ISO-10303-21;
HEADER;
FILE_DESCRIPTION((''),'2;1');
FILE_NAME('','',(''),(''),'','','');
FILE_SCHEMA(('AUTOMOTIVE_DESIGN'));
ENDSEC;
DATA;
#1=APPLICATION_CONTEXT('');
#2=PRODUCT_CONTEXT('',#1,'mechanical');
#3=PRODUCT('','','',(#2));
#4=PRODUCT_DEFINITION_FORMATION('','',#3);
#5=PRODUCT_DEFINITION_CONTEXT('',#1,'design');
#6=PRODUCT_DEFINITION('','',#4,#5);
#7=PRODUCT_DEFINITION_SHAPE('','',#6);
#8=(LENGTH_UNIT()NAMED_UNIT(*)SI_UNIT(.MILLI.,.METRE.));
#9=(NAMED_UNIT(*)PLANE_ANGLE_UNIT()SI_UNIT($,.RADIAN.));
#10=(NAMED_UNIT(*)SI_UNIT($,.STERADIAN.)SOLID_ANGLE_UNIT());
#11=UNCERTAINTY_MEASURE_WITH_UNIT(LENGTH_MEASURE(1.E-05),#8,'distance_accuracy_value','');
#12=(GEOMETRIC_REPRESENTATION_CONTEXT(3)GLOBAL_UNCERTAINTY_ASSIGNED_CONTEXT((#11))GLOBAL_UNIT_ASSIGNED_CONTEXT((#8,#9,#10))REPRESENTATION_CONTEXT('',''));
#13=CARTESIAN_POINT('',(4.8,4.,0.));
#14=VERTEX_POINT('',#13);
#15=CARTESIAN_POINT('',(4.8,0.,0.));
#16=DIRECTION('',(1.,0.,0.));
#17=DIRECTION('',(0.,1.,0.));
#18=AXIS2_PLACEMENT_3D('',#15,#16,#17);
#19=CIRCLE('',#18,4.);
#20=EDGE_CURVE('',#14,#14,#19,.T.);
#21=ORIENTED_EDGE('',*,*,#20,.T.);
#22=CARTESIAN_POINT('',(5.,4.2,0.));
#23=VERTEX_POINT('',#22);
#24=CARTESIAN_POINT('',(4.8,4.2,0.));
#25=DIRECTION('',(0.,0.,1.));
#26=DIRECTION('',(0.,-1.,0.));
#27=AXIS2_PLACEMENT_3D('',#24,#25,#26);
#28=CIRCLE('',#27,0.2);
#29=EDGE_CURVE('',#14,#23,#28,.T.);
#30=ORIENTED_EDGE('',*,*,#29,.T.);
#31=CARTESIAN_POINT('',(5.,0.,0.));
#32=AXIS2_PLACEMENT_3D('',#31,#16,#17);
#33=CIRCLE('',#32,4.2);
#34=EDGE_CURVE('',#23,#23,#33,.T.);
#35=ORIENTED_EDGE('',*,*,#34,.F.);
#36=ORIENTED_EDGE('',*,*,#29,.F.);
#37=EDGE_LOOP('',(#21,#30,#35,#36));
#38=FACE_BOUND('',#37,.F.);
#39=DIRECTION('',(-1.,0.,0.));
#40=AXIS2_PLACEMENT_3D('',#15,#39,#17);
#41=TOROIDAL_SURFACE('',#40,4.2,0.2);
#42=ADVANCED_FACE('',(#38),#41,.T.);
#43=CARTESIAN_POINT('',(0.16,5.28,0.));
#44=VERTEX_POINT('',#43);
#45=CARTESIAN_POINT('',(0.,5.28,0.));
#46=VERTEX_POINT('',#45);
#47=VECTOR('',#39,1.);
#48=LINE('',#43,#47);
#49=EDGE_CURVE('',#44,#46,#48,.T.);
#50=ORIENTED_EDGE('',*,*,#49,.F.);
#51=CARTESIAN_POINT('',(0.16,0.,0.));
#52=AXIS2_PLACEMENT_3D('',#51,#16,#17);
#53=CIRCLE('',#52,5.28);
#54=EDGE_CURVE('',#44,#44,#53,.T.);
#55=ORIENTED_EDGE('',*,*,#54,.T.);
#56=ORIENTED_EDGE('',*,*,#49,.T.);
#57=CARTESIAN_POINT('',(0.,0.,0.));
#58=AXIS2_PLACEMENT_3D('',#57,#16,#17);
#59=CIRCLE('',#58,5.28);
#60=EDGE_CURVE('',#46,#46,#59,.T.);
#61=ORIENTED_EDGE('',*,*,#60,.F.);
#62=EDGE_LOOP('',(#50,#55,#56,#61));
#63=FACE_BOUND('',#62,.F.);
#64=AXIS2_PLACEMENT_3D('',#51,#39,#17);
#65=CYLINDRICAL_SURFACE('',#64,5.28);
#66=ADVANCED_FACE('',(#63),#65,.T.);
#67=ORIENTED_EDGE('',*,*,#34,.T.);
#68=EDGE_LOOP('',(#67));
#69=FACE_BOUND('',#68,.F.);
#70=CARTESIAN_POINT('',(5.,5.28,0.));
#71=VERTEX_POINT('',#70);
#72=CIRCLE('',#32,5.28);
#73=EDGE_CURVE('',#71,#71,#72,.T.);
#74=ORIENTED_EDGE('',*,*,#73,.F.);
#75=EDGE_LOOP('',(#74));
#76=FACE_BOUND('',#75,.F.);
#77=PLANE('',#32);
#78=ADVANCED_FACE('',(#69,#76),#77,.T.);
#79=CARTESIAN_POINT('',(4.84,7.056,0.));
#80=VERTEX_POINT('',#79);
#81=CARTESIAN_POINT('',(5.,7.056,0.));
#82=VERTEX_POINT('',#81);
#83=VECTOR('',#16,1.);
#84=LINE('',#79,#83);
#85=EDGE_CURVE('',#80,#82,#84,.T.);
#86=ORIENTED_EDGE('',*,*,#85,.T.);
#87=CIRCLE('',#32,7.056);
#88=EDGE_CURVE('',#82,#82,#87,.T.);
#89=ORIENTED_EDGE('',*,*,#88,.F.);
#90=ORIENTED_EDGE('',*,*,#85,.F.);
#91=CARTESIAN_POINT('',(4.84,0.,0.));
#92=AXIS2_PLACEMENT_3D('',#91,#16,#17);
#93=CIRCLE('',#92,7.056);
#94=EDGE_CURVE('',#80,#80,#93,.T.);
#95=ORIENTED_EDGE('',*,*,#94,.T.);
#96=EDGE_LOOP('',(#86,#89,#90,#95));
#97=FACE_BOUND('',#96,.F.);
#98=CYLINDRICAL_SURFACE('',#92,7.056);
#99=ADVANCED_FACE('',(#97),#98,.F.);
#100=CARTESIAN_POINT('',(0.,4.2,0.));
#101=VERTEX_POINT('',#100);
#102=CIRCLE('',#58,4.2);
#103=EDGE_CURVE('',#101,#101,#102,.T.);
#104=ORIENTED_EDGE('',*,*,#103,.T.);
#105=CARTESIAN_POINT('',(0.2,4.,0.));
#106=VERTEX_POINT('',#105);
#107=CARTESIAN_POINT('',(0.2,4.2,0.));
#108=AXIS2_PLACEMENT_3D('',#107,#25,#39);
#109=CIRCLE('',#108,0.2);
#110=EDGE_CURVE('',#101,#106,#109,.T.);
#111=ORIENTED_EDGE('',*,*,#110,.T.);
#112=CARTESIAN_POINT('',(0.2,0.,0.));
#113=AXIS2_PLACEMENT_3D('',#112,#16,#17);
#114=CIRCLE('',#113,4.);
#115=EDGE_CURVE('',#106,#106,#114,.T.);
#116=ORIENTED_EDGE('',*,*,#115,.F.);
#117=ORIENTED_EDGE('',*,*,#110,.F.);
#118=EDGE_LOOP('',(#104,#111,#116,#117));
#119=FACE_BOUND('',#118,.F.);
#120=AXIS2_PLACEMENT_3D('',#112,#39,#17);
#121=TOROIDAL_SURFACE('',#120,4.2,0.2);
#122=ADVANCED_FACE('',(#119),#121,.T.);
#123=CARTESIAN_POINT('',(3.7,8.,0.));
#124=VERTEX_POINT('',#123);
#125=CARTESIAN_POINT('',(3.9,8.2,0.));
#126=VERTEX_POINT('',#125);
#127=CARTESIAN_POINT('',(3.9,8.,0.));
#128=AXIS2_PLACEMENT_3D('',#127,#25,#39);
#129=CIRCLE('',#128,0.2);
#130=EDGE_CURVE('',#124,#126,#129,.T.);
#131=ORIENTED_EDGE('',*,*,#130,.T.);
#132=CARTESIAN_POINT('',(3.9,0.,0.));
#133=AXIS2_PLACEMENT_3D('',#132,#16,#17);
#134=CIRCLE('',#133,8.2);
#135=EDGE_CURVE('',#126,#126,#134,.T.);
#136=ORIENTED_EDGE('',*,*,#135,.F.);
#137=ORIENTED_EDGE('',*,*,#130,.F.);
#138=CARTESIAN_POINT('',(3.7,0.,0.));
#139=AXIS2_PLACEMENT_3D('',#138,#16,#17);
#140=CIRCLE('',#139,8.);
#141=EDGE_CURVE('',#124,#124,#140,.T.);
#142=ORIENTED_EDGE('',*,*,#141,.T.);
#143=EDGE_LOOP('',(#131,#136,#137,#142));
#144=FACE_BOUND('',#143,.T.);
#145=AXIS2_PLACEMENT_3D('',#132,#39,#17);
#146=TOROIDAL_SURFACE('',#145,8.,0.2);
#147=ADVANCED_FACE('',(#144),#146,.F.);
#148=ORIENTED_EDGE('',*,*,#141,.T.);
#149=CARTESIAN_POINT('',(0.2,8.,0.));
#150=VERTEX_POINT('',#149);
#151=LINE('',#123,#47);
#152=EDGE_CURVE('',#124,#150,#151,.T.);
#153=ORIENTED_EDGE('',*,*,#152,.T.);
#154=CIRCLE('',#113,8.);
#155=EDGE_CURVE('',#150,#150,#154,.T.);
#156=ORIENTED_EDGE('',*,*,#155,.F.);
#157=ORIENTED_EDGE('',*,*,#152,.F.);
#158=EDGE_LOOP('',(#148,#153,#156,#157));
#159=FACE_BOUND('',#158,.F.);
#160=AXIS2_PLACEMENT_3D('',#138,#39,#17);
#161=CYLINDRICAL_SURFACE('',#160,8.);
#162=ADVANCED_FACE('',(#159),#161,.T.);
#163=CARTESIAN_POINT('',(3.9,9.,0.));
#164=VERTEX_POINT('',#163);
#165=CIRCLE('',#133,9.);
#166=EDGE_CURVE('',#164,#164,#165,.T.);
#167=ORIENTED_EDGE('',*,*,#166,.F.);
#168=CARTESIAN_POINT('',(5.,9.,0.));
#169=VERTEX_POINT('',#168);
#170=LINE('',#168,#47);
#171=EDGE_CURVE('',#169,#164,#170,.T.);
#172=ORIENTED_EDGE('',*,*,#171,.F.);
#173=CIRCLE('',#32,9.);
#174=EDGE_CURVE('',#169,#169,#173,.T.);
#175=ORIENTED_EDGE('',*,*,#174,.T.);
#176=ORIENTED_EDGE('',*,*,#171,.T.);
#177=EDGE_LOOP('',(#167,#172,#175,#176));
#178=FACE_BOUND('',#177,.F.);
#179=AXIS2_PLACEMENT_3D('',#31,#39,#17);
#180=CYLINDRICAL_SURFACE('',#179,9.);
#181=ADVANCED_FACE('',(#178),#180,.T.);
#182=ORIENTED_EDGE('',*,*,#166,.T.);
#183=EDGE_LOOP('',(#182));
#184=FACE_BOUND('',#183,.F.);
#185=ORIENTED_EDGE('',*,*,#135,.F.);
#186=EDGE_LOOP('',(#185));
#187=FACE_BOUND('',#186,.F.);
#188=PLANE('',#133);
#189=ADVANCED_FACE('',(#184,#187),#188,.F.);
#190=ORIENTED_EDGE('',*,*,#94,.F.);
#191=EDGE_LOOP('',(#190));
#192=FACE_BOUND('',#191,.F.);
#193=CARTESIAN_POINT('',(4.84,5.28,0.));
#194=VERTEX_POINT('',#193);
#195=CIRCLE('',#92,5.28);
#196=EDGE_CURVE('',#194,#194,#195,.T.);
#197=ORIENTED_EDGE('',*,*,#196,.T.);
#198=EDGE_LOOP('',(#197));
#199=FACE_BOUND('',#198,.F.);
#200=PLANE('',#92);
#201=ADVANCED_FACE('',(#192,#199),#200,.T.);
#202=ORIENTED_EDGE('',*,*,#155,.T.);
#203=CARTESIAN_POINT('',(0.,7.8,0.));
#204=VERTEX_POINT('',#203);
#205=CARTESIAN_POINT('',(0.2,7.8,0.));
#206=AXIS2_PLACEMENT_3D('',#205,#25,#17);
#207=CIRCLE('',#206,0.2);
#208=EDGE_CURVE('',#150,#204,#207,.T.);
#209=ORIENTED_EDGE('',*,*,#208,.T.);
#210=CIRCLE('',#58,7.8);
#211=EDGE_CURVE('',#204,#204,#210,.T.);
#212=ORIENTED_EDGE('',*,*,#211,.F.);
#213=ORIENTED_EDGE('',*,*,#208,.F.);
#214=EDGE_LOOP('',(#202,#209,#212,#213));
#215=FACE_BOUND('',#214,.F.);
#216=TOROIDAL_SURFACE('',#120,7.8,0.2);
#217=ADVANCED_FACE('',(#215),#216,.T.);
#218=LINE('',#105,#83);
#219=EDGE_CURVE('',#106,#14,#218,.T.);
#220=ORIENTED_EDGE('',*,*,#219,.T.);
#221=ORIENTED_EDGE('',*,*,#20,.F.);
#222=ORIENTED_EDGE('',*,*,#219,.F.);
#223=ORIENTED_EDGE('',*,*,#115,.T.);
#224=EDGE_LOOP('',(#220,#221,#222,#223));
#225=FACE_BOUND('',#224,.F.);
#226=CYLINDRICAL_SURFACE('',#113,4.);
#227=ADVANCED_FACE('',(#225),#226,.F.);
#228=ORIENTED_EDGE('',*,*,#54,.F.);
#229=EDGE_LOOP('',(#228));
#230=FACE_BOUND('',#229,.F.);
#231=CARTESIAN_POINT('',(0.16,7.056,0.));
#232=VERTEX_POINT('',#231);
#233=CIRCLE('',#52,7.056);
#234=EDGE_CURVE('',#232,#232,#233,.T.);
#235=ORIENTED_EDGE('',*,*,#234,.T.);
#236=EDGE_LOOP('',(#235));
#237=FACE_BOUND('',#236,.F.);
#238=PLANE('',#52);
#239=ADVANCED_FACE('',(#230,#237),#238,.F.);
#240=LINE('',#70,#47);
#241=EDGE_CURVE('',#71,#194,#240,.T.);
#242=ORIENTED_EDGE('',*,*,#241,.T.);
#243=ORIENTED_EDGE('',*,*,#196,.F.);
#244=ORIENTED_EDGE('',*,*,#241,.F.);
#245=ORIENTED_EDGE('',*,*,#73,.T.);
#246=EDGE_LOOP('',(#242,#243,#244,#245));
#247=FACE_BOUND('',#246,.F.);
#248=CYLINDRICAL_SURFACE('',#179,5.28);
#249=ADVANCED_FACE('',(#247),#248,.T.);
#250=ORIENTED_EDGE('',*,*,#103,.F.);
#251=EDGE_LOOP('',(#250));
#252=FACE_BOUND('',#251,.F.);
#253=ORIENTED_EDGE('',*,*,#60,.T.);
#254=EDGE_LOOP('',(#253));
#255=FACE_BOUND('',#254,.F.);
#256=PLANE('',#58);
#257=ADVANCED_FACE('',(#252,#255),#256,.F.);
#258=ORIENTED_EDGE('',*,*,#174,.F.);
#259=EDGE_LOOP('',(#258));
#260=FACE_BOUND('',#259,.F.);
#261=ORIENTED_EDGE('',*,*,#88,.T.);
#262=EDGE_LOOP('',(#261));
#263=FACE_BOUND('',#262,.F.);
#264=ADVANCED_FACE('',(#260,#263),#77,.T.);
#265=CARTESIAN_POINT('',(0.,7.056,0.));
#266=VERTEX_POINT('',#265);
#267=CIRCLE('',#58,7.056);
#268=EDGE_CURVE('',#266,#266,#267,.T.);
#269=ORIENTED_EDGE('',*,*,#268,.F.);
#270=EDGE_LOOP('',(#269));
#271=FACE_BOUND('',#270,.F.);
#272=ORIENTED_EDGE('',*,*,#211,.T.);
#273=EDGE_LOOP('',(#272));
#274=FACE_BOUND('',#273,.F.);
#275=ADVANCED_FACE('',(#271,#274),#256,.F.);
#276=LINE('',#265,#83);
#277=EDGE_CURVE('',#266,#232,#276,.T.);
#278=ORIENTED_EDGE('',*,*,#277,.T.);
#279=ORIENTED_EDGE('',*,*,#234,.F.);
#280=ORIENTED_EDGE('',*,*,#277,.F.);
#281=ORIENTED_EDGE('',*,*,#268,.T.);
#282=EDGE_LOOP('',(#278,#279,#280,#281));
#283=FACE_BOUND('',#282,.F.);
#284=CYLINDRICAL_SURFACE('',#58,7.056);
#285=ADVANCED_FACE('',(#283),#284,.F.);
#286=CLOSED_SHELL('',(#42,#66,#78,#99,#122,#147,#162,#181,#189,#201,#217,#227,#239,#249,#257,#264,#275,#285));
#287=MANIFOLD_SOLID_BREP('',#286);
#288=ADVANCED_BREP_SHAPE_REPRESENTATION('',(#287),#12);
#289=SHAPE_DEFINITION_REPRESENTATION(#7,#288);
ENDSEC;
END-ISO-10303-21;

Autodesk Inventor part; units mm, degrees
sketch "Sketch_1" plane through (0, 0, 0) normal (0, 0, 1) x (1, 0, 0)
  line L0 (16, 0) -> (-16, 0)
  arc A0 (0, 4.2) -> (0.2, 4) centre (0.2, 4.2) ccw
  line L1 (0.2, 4) -> (4.8, 4)
  arc A1 (4.8, 4) -> (5, 4.2) centre (4.8, 4.2) ccw
  line L2 (5, 4.2) -> (5, 5.28)
  line L3 (5, 5.28) -> (4.84, 5.28)
  line L4 (4.84, 5.28) -> (4.84, 7.056)
  line L5 (4.84, 7.056) -> (5, 7.056)
  line L6 (5, 7.056) -> (5, 9)
  line L7 (5, 9) -> (3.9, 9)
  line L8 (3.9, 9) -> (3.9, 8.2)
  arc A2 (3.7, 8) -> (3.9, 8.2) centre (3.9, 8) ccw
  line L9 (3.7, 8) -> (0.2, 8)
  arc A3 (0.2, 8) -> (0, 7.8) centre (0.2, 7.8) ccw
  line L10 (0, 7.8) -> (0, 7.056)
  line L11 (0, 7.056) -> (0.16, 7.056)
  line L12 (0.16, 7.056) -> (0.16, 5.28)
  line L13 (0.16, 5.28) -> (0, 5.28)
  line L14 (0, 5.28) -> (0, 4.2)
revolve "Revolution1" add sketch "Sketch_1" angle 360 about axis through (16, 0, 0) along (1, 0, 0)
ref_plane "to_housing_XY" through (0, 0, 0) normal (1, 0, 0) x (0, 0, -1)
ref_plane "to_housing_YZ" through (0, 0, 0) normal (0, 0, -1) x (0, 1, 0)
ref_plane "to_housing_ZX" through (0, 0, 0) normal (0, 1, 0) x (1, 0, 0)
properties part number "FL688ZZ" material "鋼、炭素鋼"
